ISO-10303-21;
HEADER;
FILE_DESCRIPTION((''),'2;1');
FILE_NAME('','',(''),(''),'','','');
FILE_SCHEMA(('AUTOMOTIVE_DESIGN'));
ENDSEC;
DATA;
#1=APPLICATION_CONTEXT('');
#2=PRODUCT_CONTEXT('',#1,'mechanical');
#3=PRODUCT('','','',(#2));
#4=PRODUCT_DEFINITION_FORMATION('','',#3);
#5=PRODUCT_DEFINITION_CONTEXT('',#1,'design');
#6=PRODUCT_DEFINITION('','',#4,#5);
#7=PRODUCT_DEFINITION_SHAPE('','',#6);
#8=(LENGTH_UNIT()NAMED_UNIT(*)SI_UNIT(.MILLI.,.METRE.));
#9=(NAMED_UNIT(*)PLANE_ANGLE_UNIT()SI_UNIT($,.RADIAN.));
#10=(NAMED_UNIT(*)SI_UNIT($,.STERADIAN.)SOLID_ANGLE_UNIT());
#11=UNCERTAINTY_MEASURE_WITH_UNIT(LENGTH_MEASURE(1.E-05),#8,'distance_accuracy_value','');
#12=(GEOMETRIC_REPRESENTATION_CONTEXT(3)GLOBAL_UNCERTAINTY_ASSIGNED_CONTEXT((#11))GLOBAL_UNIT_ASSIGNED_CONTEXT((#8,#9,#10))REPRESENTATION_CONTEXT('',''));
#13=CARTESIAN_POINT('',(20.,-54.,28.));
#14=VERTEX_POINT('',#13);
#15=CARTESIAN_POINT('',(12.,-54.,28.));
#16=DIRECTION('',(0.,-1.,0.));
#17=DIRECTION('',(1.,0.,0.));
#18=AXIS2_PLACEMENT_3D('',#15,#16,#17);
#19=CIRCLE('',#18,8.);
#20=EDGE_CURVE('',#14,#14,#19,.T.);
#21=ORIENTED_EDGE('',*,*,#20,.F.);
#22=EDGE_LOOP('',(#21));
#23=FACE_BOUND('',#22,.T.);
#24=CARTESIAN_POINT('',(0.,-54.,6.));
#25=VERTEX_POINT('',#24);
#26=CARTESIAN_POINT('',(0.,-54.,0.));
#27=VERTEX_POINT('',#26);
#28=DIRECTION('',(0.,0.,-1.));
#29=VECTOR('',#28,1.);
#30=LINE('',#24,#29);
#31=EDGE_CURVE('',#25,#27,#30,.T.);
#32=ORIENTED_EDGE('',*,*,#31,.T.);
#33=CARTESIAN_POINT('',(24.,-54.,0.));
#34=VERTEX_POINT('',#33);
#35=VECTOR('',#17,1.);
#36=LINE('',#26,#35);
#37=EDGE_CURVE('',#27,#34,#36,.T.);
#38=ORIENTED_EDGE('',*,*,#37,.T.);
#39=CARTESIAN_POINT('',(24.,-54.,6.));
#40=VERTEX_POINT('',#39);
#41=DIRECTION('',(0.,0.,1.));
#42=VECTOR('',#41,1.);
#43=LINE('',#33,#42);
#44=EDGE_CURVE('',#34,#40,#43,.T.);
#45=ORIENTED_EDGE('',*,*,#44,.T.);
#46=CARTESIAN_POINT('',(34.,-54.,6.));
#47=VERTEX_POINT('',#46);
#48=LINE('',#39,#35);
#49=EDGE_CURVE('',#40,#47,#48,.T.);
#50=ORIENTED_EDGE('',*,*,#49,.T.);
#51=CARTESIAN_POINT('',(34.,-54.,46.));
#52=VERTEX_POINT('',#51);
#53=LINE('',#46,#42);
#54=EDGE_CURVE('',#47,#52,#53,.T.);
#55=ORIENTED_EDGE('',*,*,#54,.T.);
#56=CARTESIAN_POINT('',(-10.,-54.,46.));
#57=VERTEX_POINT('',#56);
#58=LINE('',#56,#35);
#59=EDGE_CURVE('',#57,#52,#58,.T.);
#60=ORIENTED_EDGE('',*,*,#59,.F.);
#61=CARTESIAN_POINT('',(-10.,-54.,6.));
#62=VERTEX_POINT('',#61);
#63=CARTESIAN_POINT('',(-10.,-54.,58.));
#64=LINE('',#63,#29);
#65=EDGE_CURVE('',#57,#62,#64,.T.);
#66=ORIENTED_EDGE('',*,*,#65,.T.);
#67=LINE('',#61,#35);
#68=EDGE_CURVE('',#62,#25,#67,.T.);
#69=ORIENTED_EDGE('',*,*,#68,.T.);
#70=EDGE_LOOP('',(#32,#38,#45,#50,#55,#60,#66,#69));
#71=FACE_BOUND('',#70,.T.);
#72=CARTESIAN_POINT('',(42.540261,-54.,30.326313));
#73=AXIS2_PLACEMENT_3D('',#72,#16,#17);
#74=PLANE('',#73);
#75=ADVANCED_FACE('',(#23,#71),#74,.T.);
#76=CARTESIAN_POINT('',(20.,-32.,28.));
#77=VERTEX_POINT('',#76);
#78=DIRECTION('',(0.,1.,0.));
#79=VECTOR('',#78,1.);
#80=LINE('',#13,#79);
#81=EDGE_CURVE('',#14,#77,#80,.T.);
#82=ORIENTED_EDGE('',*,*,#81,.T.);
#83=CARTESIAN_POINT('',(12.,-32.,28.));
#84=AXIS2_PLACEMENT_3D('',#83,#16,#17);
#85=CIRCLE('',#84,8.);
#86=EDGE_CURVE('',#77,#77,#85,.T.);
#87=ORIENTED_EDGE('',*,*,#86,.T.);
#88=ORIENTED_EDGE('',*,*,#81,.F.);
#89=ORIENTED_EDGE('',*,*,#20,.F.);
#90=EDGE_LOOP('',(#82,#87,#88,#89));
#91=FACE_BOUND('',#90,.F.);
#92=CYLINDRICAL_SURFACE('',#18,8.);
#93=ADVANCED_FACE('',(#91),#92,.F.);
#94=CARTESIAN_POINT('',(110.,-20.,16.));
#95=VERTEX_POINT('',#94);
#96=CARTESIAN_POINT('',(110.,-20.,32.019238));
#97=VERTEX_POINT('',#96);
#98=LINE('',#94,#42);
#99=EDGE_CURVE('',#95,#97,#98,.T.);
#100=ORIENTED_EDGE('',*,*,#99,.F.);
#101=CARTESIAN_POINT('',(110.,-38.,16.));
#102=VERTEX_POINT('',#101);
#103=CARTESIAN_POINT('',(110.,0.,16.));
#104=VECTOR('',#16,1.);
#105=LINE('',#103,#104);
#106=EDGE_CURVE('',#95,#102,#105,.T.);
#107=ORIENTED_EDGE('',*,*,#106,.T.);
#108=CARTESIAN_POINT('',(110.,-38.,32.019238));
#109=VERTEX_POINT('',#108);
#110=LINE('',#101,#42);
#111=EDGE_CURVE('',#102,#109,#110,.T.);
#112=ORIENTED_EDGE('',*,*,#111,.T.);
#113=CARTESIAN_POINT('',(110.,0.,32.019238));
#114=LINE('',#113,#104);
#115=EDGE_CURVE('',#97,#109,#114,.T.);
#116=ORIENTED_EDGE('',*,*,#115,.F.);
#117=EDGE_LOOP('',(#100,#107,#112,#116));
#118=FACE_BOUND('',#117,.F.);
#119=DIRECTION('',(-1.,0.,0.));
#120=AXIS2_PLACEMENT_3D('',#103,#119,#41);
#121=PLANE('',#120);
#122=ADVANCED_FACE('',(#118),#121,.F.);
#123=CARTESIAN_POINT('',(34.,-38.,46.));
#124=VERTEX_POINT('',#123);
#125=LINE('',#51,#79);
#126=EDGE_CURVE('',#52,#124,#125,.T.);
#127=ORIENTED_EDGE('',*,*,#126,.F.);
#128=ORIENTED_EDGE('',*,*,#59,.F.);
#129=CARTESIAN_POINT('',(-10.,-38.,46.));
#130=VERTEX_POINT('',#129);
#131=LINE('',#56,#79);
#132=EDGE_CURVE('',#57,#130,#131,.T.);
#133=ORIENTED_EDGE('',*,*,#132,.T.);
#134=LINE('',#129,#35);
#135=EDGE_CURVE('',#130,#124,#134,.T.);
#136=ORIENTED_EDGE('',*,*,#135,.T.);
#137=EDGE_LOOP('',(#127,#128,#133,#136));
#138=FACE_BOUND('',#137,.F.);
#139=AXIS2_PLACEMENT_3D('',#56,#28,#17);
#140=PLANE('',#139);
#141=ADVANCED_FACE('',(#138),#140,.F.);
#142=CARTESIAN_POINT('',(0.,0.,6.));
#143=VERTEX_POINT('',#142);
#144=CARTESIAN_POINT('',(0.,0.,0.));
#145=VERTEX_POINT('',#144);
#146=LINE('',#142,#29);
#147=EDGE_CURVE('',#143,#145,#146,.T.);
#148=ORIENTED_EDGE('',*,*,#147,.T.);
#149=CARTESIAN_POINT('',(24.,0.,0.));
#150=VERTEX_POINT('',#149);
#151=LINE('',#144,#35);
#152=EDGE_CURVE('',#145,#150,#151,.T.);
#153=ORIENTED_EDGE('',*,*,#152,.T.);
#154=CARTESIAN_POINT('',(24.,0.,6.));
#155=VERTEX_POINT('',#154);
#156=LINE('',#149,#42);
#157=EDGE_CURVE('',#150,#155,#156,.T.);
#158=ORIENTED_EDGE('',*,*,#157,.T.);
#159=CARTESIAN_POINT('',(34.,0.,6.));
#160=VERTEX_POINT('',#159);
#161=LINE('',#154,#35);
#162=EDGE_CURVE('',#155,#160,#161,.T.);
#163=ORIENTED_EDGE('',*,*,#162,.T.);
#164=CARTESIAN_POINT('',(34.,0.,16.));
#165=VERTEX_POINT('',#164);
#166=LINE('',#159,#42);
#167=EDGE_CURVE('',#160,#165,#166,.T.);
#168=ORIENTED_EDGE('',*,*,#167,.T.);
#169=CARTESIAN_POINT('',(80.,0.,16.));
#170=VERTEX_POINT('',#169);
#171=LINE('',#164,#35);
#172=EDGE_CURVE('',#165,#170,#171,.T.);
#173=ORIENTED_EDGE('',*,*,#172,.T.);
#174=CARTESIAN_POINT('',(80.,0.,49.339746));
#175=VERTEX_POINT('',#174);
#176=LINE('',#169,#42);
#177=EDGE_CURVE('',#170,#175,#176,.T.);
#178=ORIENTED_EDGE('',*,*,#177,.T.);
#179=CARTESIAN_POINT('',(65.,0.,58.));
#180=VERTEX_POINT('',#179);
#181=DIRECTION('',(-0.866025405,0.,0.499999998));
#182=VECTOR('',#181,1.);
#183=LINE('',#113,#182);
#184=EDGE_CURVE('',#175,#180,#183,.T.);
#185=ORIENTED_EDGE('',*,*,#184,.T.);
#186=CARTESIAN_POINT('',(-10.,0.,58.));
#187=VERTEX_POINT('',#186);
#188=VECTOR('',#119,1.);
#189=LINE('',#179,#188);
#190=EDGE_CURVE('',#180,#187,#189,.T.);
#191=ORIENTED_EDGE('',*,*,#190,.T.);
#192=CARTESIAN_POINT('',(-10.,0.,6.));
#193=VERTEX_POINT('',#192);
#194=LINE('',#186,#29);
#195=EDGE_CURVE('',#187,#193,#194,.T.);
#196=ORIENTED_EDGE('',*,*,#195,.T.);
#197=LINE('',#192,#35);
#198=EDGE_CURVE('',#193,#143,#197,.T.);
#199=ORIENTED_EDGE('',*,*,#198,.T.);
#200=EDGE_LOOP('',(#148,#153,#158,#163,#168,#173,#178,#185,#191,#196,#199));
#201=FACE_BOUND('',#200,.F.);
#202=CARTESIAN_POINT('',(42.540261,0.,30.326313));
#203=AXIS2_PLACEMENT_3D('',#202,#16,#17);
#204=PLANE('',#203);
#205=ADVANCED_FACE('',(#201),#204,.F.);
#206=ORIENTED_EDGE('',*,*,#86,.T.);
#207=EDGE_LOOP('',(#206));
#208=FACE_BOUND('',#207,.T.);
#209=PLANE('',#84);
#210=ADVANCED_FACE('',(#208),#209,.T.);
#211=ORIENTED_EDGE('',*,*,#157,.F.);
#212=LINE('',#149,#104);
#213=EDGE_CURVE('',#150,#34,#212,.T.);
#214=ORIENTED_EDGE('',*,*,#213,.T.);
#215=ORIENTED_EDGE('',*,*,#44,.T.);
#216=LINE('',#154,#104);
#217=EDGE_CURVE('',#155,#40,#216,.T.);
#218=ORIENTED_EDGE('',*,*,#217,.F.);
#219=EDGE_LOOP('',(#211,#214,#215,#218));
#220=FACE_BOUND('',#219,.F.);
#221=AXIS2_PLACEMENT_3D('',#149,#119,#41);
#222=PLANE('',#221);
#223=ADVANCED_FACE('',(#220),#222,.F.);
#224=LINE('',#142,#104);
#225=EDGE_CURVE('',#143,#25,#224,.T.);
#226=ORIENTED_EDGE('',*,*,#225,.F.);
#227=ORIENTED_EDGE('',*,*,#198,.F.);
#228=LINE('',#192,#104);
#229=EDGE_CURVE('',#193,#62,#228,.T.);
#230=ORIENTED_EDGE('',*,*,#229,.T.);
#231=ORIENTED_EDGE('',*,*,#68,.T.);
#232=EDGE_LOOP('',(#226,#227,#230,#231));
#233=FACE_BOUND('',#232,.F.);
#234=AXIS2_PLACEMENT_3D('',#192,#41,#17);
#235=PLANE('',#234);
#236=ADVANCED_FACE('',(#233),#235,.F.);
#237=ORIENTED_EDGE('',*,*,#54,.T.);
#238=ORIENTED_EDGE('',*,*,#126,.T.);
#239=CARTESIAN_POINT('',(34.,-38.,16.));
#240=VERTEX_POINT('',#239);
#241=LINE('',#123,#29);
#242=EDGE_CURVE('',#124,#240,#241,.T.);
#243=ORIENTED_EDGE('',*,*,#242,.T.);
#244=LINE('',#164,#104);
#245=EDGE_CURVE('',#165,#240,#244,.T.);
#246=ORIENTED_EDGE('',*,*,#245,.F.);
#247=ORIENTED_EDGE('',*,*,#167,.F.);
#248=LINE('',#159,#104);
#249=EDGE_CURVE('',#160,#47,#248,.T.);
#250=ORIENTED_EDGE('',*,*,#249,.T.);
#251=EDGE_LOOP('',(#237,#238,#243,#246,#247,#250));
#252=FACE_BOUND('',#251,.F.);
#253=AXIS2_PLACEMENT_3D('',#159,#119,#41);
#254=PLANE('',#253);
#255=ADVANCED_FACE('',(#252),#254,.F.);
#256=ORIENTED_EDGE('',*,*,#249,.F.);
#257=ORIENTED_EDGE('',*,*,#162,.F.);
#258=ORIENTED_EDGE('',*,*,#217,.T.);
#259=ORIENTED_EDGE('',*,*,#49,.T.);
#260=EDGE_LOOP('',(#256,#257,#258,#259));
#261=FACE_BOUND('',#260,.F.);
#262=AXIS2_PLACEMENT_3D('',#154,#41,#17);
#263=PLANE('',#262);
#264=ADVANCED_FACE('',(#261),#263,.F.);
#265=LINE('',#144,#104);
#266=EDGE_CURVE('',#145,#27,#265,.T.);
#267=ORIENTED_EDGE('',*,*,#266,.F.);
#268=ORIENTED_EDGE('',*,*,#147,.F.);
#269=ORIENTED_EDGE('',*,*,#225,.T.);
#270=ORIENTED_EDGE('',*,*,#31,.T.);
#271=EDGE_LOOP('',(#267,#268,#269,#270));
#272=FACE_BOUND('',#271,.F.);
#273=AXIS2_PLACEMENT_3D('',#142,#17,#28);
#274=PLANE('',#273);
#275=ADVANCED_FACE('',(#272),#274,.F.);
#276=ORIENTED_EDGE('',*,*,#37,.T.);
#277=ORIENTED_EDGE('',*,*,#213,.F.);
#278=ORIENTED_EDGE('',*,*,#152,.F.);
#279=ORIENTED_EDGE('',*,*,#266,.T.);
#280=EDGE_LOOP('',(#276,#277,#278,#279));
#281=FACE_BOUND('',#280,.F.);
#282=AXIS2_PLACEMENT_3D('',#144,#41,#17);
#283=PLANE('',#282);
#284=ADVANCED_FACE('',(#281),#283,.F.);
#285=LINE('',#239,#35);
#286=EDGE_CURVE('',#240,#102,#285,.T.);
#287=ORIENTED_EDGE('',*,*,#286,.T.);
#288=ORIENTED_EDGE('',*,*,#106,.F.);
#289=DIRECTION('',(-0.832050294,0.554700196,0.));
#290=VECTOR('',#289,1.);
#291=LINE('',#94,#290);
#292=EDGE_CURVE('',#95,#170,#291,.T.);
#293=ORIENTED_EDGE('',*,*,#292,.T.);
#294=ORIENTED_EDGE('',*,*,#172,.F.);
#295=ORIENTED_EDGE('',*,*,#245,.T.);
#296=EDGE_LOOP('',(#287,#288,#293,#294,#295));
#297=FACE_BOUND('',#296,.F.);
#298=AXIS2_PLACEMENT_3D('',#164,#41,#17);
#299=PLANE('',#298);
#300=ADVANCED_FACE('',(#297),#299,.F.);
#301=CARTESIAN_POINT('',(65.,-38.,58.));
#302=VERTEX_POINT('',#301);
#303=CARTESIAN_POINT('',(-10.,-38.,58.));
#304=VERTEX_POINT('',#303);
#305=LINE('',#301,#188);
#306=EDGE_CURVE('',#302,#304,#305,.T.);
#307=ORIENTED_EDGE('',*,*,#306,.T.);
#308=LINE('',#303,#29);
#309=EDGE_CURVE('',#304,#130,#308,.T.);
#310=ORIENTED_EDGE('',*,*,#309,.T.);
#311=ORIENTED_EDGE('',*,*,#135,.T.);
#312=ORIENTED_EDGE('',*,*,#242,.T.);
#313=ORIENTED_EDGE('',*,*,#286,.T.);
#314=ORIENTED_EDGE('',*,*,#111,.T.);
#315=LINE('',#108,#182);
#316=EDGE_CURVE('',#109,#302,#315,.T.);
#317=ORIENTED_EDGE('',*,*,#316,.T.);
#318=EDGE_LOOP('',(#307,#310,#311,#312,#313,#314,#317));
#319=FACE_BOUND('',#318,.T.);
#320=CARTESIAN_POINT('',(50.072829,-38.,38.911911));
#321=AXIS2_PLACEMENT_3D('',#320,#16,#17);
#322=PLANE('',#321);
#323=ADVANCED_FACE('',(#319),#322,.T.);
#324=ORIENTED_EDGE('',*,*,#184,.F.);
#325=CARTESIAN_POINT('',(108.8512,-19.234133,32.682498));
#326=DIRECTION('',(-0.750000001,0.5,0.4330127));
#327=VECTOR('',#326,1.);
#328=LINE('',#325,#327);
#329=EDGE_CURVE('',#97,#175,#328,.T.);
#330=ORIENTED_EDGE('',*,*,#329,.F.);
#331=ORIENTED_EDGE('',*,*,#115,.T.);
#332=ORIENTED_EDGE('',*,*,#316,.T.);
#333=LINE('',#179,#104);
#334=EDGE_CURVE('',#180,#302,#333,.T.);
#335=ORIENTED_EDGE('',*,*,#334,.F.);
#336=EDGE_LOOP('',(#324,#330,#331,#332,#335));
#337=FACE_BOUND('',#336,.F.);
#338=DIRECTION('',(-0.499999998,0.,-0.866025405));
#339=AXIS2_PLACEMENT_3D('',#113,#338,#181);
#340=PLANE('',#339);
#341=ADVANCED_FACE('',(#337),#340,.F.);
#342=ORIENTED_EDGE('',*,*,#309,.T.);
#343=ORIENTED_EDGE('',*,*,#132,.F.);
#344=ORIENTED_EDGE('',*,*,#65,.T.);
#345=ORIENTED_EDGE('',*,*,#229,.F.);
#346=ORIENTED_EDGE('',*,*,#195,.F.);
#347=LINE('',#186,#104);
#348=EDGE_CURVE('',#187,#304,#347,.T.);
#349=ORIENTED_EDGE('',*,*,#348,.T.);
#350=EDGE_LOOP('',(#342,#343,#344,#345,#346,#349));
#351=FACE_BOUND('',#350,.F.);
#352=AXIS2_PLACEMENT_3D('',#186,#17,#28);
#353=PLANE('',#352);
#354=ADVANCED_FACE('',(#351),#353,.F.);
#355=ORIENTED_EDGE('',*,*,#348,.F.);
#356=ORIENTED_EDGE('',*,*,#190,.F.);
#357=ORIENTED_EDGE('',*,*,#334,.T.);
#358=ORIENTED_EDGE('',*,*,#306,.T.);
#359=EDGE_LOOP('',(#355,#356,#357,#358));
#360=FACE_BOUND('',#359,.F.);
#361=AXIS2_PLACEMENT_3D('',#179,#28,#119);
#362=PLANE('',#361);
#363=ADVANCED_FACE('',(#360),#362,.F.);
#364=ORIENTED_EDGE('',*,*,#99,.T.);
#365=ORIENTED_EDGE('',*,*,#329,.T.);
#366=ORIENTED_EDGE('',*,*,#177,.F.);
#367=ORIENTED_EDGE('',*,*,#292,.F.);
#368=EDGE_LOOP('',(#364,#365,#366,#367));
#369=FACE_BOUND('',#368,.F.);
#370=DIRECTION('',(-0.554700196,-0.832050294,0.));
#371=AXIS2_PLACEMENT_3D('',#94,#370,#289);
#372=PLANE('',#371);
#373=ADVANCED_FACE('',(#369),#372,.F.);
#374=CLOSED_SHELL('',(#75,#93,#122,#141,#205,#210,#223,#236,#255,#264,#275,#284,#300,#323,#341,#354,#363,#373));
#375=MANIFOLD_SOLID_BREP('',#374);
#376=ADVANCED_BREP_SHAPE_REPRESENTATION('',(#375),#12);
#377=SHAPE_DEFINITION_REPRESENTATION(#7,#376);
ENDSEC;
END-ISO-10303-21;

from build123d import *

# Parameters (mm, degrees)
F1_DEPTH = 54
F3_DEPTH = 16
F4_R     = 8
F5_DEPTH = 22
F7_DEPTH = 42.001


with BuildPart() as f1:
    # F0 (on Front) → F1 (new body)
    with BuildSketch(Plane.XZ):
        Polygon((0, 6), (0, 0), (24, 0), (24, 6), (34, 6), (34, 16), (110, 16), (110, 32.019238), (65, 58), (-10, 58), (-10, 6), align=None)
    extrude(amount=F1_DEPTH)

    # F2 (on face) → F3 (cut)
    with BuildSketch(Plane.XZ.offset(54)):
        Polygon((65, 58), (-10, 58), (-10, 46), (34, 46), (34, 16), (110, 16), (110, 32.019238), align=None)
    extrude(amount=-F3_DEPTH, mode=Mode.SUBTRACT)

    # F4 (on face) → F5 (cut)
    with BuildSketch(Plane.XZ.offset(54)):
        with Locations((12, 28)):
            Circle(F4_R)
    extrude(amount=-F5_DEPTH, mode=Mode.SUBTRACT)

    # F6 (on face) → F7 (cut, through all)
    with BuildSketch(Plane(origin=(0, 0, 16), x_dir=(1, 0, 0), z_dir=(0, 0, -1))):
        Polygon((110, 20), (80, 0), (110, 0), align=None)
    extrude(amount=-F7_DEPTH, mode=Mode.SUBTRACT)


solid = f1.part
